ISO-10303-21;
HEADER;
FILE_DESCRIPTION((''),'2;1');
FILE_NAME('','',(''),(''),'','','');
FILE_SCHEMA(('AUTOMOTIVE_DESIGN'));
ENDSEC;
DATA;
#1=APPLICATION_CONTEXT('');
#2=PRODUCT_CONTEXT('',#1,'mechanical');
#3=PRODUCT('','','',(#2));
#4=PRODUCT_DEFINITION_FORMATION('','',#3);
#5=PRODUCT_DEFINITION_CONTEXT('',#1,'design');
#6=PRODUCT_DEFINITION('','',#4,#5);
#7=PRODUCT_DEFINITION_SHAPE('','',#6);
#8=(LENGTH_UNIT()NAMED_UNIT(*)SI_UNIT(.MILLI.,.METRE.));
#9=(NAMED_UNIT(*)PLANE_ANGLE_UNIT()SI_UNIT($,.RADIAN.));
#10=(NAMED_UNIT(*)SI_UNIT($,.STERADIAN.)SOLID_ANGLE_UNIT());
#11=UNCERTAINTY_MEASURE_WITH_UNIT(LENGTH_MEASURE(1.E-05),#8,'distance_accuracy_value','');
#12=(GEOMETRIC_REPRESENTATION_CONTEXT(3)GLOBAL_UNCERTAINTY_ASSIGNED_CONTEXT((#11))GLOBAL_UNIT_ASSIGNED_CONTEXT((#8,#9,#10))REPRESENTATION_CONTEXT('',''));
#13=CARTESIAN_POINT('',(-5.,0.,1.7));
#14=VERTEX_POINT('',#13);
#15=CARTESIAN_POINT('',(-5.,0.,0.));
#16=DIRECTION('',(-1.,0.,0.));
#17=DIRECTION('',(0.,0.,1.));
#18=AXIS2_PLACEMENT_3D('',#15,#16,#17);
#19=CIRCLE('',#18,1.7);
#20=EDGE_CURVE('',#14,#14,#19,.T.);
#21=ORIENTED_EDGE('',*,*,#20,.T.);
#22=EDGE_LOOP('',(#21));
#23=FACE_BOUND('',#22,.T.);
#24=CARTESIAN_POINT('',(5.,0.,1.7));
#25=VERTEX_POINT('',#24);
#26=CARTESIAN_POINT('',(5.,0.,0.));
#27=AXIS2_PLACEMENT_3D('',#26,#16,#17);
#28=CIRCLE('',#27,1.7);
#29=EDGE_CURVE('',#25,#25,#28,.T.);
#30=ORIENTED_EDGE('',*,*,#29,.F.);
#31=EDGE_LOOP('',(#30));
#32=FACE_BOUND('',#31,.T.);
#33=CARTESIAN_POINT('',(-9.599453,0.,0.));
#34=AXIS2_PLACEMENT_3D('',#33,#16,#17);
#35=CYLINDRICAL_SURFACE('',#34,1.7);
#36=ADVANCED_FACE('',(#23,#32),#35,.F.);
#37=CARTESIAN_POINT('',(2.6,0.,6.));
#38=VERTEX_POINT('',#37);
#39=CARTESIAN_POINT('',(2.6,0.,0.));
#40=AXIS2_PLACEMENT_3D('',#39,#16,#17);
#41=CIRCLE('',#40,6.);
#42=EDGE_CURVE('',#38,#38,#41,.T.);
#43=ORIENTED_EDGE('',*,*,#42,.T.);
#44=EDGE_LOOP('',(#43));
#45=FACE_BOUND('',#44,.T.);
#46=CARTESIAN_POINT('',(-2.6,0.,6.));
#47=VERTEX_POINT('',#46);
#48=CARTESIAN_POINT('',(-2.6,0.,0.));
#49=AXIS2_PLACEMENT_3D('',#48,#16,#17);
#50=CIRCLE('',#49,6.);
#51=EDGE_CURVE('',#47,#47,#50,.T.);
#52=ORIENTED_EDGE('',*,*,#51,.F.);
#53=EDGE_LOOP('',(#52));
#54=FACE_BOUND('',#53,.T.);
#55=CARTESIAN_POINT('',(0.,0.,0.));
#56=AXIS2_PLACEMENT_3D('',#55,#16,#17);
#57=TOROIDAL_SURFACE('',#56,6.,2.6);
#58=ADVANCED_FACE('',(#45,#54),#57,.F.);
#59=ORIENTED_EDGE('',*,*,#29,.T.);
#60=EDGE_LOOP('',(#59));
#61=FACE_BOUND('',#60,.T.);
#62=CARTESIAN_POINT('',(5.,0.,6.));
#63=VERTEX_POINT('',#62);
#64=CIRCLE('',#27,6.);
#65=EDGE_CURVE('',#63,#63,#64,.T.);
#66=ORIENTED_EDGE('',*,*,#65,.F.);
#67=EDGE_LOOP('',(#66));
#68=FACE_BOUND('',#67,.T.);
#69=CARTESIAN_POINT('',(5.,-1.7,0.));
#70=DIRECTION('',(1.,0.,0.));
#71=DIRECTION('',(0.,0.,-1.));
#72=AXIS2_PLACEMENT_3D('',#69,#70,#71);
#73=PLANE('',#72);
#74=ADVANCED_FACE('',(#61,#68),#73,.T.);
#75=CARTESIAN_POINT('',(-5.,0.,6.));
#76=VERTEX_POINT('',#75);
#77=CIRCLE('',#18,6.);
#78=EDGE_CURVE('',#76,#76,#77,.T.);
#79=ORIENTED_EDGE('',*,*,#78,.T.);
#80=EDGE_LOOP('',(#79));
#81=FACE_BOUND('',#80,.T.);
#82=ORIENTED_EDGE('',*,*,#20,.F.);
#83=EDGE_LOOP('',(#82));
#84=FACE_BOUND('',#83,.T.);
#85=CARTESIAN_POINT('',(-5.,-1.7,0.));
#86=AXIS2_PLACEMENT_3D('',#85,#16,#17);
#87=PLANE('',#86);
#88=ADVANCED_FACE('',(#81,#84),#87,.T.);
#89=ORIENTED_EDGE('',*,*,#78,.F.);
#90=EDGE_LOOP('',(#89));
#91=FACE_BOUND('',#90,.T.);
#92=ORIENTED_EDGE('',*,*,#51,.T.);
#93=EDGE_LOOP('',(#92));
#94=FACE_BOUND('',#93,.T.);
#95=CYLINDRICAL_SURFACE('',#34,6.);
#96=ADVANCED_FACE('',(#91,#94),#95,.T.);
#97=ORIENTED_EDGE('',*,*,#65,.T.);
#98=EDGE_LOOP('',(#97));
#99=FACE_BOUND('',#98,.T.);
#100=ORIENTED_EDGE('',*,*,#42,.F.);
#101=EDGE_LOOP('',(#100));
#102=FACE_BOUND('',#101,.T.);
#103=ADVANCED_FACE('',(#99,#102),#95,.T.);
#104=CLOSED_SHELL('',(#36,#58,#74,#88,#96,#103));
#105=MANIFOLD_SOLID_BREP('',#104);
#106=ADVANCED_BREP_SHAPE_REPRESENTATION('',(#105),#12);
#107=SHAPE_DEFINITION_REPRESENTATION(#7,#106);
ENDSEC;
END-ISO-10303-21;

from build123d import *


with BuildPart() as part:
    # Esquisse2 → Révolution1 (revolve)
    with BuildSketch(Plane.XY):
        with BuildLine():
            Line((-5, -6), (-2.6, -6))
            ThreePointArc((-2.6, -6), (0, -3.4), (2.6, -6))
            Line((2.6, -6), (5, -6))
            Line((5, -6), (5, -1.7))
            Line((5, -1.7), (-5, -1.7))
            Line((-5, -1.7), (-5, -6))
        make_face()
    revolve(axis=Axis((-9.599452589, 0, 0), (1, 0, 0)))


solid = part.part
